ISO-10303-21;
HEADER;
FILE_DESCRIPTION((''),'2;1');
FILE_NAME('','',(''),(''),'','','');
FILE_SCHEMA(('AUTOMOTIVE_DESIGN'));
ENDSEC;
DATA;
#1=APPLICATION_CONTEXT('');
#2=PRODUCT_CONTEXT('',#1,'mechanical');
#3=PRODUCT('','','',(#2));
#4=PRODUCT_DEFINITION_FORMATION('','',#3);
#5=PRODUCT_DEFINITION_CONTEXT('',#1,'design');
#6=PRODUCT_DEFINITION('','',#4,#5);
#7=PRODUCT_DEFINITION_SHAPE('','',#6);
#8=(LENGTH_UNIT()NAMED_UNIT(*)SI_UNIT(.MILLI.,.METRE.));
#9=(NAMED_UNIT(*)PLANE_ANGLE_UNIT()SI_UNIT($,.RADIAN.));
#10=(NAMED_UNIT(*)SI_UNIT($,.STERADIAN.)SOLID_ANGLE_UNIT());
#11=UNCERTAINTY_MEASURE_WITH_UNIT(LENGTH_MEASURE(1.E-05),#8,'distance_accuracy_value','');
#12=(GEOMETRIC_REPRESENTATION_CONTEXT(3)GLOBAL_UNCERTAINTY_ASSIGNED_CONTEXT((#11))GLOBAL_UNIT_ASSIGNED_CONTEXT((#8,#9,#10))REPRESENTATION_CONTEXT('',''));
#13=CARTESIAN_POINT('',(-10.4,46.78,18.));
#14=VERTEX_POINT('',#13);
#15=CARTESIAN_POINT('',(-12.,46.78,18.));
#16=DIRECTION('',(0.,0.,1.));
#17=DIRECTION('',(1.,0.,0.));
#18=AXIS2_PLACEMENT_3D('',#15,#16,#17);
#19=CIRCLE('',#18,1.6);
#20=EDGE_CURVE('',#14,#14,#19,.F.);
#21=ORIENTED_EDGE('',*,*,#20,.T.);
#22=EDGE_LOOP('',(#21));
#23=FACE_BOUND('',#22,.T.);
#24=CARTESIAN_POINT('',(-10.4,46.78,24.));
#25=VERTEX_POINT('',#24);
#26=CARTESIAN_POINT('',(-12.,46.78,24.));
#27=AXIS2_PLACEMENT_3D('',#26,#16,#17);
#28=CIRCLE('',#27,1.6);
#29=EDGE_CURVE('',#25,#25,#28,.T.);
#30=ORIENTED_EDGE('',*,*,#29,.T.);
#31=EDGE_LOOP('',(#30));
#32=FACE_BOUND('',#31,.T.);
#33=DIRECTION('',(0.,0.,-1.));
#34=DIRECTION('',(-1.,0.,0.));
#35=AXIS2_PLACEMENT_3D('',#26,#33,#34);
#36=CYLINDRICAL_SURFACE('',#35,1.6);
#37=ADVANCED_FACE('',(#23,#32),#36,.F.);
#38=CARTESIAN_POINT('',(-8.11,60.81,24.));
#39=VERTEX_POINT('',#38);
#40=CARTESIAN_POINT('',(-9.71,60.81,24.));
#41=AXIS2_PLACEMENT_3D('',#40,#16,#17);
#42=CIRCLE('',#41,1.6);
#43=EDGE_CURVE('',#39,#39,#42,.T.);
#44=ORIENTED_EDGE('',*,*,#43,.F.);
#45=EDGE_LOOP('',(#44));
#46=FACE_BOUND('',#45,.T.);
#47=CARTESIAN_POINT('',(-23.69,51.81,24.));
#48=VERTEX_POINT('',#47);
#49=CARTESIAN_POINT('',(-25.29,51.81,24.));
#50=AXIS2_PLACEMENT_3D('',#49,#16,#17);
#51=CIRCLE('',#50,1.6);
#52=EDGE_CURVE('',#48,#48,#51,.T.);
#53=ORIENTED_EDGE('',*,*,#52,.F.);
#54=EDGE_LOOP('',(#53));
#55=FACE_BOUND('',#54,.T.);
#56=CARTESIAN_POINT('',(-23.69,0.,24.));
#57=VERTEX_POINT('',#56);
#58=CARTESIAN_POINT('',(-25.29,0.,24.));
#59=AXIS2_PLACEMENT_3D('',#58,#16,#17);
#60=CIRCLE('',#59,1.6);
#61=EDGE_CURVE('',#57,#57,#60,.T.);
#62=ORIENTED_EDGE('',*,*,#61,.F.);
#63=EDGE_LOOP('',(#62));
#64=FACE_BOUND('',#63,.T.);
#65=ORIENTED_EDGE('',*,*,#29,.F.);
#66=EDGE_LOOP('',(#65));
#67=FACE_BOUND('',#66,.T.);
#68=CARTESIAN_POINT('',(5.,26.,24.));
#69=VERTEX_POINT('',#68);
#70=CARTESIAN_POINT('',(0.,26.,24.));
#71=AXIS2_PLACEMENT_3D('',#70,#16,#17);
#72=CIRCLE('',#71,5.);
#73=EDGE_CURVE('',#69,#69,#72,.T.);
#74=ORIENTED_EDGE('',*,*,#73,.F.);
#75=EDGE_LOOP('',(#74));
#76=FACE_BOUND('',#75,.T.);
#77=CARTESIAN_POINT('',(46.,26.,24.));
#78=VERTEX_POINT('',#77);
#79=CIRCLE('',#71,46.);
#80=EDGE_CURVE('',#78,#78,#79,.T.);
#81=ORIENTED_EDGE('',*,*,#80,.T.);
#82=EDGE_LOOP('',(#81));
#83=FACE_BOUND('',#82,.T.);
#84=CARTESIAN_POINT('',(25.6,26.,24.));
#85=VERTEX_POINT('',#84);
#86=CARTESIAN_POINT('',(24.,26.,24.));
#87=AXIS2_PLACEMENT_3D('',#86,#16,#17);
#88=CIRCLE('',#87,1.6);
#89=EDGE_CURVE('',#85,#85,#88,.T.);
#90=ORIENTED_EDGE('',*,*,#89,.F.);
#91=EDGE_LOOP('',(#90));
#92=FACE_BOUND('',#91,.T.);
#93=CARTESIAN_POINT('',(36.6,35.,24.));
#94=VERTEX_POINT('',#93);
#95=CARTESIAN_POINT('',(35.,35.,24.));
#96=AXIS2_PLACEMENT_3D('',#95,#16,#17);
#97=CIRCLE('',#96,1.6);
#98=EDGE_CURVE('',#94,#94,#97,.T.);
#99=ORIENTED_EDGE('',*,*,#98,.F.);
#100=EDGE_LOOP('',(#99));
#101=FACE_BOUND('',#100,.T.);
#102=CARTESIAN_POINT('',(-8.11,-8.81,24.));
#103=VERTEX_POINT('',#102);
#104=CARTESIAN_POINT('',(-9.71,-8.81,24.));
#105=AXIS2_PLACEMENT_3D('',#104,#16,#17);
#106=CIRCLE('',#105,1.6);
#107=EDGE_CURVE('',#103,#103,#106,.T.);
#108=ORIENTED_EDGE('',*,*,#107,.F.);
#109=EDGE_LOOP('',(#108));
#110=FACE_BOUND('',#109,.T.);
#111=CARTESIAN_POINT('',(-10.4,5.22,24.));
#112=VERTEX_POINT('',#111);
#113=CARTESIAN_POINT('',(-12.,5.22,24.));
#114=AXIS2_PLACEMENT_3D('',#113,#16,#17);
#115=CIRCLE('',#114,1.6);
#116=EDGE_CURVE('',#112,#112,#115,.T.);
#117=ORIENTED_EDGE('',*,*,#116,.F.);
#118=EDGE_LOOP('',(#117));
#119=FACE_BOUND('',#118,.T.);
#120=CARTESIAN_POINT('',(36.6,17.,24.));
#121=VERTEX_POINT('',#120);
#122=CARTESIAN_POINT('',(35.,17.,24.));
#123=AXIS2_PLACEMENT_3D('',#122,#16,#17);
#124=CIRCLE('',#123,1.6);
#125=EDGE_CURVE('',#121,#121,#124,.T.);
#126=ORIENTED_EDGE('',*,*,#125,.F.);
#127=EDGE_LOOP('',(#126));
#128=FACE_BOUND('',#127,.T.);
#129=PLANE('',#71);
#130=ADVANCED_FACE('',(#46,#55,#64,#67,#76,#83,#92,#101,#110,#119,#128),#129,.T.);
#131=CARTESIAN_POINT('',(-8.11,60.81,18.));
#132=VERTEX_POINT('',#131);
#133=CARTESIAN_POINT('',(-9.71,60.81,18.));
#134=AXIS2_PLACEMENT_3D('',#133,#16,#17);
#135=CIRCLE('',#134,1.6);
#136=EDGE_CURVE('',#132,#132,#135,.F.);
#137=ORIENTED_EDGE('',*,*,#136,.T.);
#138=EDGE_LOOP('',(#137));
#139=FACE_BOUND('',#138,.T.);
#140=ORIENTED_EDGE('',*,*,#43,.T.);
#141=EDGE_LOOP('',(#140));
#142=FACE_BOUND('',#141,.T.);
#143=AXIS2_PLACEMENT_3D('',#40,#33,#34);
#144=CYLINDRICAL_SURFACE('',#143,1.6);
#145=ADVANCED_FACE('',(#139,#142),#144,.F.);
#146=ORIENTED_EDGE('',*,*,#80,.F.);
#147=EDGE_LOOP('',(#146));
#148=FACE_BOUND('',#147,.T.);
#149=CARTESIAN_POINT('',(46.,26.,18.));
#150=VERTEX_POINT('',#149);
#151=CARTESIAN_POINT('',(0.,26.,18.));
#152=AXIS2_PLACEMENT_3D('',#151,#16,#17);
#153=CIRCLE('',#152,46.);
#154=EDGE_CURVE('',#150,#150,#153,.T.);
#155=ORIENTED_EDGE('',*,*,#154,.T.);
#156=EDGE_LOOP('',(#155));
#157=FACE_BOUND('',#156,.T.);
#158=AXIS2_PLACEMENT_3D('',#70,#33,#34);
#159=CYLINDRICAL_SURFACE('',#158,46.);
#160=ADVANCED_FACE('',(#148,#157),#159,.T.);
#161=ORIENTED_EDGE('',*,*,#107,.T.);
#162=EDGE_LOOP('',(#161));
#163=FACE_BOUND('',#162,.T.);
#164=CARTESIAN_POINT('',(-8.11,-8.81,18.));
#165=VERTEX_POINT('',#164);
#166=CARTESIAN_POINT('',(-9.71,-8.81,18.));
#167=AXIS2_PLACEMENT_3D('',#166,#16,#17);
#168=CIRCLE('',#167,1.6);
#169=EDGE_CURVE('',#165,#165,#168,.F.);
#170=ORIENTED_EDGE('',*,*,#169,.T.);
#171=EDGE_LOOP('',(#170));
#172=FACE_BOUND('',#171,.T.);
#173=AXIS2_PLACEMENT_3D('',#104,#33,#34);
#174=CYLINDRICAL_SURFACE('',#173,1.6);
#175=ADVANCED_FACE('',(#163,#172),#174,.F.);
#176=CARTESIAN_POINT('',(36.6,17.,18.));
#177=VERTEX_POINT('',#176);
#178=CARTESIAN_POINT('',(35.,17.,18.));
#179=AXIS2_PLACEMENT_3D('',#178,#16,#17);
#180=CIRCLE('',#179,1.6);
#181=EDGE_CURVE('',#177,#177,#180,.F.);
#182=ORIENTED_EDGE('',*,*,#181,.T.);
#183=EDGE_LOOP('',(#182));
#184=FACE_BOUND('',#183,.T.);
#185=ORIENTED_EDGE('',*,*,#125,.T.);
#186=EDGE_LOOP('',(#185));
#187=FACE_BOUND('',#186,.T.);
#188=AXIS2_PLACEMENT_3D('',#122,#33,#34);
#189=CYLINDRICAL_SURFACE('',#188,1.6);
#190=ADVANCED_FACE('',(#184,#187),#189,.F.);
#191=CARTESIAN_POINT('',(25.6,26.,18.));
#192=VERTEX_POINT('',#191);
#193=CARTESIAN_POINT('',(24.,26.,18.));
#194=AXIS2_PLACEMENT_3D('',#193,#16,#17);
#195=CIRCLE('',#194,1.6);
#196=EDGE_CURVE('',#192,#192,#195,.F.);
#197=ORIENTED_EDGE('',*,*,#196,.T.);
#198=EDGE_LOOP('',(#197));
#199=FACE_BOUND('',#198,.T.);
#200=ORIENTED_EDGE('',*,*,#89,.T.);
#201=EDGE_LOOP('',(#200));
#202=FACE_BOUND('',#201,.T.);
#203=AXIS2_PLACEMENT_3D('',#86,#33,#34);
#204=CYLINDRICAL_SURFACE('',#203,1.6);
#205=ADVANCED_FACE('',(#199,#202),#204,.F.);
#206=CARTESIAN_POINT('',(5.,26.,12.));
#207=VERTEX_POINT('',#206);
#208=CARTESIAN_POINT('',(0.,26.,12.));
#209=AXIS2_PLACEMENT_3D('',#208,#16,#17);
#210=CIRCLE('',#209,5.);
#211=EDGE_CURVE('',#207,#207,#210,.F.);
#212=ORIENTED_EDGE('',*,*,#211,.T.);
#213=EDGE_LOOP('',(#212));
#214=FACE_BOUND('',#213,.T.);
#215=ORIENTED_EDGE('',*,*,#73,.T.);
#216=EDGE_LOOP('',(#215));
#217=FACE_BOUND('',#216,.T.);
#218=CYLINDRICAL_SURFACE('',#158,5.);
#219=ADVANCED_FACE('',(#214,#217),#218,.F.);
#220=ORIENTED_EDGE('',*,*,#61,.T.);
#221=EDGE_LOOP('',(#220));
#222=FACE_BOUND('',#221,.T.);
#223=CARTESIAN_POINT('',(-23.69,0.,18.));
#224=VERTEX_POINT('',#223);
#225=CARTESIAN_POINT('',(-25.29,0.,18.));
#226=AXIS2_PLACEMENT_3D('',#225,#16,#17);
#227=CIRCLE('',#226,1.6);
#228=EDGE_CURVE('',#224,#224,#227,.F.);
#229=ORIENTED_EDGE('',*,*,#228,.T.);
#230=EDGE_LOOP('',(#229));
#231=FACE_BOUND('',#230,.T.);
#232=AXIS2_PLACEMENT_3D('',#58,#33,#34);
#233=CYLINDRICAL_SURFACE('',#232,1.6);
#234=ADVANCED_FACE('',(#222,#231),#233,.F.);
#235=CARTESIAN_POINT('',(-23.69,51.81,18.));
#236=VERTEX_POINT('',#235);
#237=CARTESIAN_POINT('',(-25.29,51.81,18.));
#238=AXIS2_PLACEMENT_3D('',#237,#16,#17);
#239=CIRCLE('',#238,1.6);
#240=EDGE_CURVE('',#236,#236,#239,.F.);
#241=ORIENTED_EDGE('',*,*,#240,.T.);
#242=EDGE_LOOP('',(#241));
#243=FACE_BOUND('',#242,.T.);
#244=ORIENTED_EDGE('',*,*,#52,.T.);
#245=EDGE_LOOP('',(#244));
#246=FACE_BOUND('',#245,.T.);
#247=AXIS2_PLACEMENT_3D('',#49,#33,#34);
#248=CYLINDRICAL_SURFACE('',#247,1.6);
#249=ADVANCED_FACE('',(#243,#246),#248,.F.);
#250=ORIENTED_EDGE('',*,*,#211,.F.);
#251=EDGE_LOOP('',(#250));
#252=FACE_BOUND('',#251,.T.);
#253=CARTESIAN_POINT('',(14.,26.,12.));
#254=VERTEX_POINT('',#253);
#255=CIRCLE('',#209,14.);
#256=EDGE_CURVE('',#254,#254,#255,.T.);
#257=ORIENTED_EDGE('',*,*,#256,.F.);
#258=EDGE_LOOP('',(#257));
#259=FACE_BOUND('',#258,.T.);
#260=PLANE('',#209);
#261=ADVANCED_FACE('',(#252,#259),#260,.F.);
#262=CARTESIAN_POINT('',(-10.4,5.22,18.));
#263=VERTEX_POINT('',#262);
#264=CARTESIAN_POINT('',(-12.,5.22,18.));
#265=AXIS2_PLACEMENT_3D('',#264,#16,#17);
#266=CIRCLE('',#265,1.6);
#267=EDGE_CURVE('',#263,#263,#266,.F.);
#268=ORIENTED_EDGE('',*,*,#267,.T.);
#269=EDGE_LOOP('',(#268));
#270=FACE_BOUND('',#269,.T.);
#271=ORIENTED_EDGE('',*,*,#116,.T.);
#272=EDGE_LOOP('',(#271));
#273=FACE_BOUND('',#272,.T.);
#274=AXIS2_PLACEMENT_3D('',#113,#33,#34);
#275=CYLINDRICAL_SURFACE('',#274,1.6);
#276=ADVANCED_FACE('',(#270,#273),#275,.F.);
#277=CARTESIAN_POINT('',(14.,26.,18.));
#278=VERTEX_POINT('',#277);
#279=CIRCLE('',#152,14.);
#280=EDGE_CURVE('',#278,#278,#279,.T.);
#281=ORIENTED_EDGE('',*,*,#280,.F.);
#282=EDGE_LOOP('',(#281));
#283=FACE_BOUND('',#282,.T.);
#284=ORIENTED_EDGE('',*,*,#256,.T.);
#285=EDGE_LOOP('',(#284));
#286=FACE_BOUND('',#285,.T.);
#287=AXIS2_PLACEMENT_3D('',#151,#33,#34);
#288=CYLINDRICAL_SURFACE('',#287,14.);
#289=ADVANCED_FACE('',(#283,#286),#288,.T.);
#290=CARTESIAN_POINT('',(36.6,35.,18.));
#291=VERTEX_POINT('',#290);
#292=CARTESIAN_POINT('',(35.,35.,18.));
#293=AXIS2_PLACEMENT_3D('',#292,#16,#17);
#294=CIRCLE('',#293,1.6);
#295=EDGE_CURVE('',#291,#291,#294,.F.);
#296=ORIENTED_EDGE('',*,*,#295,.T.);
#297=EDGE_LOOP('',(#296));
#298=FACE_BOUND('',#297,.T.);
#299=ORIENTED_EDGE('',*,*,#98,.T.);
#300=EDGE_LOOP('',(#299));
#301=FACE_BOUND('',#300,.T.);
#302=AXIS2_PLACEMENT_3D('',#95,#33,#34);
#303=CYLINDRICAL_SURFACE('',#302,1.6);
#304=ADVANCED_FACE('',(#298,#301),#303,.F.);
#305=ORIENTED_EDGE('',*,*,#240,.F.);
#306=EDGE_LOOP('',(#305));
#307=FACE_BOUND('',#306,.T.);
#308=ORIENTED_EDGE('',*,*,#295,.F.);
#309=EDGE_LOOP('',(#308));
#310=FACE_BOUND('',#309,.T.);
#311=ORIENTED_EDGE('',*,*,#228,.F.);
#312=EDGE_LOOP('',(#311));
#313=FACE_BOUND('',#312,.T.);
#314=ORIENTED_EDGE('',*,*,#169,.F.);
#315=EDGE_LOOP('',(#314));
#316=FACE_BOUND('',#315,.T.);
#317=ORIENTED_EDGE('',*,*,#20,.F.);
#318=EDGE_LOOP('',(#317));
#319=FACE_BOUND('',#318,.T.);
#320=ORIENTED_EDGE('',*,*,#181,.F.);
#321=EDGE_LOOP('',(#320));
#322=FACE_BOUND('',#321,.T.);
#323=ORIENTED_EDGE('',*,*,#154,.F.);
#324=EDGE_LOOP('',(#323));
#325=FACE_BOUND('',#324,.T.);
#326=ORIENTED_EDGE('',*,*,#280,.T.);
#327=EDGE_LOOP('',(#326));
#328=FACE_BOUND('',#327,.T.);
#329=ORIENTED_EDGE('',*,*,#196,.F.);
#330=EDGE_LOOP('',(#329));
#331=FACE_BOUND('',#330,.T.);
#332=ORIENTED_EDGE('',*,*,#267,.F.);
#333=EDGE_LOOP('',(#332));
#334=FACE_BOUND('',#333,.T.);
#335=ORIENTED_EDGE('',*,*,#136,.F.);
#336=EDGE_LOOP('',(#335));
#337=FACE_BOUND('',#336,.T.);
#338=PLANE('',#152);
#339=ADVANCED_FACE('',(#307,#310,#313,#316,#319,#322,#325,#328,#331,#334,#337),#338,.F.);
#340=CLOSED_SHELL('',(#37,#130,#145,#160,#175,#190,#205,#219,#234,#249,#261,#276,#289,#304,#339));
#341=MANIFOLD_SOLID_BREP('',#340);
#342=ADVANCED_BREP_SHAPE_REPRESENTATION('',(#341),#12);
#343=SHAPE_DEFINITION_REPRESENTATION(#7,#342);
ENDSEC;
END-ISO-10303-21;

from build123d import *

# Parameters (mm, degrees)
EXTRUDE_START       = 18
SKETCH_1_R          = 46
EXTRUDE_1_DEPTH     = 6
EXTRUDE_START_2     = 12
SKETCH_2_R          = 14
EXTRUDE_2_DEPTH     = 6
SKETCH_3_R          = 1.6
CUT_EXTRUDE_2_DEPTH = 89.746830929
SKETCH_4_R          = 5
CUT_EXTRUDE_4_DEPTH = 89.746830929


with BuildPart() as part:
    # 草图1 → 凸台-拉伸1 (new body)
    with BuildSketch(Plane.XY.offset(EXTRUDE_START)):
        with Locations((0, 26)):
            Circle(SKETCH_1_R)
    extrude(amount=EXTRUDE_1_DEPTH)

    # 草图2 → 凸台-拉伸2 (add)
    with BuildSketch(Plane.XY.offset(EXTRUDE_START_2)):
        with Locations((0, 26)):
            Circle(SKETCH_2_R)
    extrude(amount=EXTRUDE_2_DEPTH)

    # 草图3 → 切除-拉伸2 (cut, through all)
    with BuildSketch(Plane.XY):
        with Locations((24, 26)):
            Circle(SKETCH_3_R)
        with Locations((35, 35)):
            Circle(SKETCH_3_R)
        with Locations((35, 17)):
            Circle(SKETCH_3_R)
        with Locations((-12, 46.78)):
            Circle(SKETCH_3_R)
        with Locations((-25.29, 51.81)):
            Circle(SKETCH_3_R)
        with Locations((-9.71, 60.81)):
            Circle(SKETCH_3_R)
        with Locations((-12, 5.22)):
            Circle(SKETCH_3_R)
        with Locations((-9.71, -8.81)):
            Circle(SKETCH_3_R)
        with Locations((-25.29, 0)):
            Circle(SKETCH_3_R)
    extrude(amount=CUT_EXTRUDE_2_DEPTH, mode=Mode.SUBTRACT)

    # 草图4 → 切除-拉伸4 (cut, through all)
    with BuildSketch(Plane.XY):
        with Locations((0, 26)):
            Circle(SKETCH_4_R)
    extrude(amount=CUT_EXTRUDE_4_DEPTH, mode=Mode.SUBTRACT)


solid = part.part
